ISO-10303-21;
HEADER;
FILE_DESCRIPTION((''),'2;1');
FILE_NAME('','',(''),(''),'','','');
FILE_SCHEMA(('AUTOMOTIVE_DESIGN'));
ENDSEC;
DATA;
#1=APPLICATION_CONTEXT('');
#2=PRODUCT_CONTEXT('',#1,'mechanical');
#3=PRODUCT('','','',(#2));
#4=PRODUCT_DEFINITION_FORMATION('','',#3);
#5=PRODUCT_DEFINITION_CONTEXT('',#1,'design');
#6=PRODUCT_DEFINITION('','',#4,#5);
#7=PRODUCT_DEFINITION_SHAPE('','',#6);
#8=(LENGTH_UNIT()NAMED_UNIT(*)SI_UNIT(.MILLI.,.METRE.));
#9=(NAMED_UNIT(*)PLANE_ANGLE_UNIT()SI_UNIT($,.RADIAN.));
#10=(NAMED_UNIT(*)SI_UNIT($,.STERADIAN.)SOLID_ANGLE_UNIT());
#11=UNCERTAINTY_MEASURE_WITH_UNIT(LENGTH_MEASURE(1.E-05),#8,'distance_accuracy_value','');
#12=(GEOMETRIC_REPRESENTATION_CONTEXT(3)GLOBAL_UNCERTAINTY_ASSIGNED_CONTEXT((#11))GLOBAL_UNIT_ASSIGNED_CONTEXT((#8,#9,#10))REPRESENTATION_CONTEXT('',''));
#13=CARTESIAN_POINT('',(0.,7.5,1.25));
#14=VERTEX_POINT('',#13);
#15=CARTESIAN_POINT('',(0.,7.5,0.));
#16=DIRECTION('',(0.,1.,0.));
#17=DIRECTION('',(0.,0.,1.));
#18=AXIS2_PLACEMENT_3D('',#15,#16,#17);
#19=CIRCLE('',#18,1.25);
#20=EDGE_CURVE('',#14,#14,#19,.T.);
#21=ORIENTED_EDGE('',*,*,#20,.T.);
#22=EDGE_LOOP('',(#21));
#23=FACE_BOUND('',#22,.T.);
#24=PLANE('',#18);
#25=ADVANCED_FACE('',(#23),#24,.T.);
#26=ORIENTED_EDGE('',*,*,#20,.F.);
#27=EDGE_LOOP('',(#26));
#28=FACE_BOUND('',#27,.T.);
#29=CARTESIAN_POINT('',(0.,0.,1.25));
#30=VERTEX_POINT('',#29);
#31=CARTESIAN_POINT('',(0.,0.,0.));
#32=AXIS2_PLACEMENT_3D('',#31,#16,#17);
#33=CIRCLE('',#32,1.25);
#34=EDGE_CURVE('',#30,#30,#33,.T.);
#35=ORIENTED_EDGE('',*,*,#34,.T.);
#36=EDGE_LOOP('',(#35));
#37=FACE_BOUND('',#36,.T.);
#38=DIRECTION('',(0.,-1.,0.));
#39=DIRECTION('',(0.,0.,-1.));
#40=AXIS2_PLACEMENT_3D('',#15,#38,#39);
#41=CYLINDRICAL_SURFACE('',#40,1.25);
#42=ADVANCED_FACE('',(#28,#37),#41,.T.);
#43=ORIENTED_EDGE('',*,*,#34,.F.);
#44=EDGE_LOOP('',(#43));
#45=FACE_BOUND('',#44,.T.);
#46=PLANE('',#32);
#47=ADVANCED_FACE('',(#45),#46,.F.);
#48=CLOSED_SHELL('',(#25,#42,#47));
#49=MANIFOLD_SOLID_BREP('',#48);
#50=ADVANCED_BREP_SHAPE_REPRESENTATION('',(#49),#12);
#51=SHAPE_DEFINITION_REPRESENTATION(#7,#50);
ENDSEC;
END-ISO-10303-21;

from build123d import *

# Parameters (mm, degrees)
SKETCH1_R           = 1.25
BOSS_EXTRUDE1_DEPTH = 7.5


with BuildPart() as part:
    # Sketch1 → Boss-Extrude1 (new body)
    with BuildSketch(Plane(origin=(0, 0, 0), x_dir=(1, 0, 0), z_dir=(0, 1, 0))):
        Circle(SKETCH1_R)
    extrude(amount=BOSS_EXTRUDE1_DEPTH)


solid = part.part
